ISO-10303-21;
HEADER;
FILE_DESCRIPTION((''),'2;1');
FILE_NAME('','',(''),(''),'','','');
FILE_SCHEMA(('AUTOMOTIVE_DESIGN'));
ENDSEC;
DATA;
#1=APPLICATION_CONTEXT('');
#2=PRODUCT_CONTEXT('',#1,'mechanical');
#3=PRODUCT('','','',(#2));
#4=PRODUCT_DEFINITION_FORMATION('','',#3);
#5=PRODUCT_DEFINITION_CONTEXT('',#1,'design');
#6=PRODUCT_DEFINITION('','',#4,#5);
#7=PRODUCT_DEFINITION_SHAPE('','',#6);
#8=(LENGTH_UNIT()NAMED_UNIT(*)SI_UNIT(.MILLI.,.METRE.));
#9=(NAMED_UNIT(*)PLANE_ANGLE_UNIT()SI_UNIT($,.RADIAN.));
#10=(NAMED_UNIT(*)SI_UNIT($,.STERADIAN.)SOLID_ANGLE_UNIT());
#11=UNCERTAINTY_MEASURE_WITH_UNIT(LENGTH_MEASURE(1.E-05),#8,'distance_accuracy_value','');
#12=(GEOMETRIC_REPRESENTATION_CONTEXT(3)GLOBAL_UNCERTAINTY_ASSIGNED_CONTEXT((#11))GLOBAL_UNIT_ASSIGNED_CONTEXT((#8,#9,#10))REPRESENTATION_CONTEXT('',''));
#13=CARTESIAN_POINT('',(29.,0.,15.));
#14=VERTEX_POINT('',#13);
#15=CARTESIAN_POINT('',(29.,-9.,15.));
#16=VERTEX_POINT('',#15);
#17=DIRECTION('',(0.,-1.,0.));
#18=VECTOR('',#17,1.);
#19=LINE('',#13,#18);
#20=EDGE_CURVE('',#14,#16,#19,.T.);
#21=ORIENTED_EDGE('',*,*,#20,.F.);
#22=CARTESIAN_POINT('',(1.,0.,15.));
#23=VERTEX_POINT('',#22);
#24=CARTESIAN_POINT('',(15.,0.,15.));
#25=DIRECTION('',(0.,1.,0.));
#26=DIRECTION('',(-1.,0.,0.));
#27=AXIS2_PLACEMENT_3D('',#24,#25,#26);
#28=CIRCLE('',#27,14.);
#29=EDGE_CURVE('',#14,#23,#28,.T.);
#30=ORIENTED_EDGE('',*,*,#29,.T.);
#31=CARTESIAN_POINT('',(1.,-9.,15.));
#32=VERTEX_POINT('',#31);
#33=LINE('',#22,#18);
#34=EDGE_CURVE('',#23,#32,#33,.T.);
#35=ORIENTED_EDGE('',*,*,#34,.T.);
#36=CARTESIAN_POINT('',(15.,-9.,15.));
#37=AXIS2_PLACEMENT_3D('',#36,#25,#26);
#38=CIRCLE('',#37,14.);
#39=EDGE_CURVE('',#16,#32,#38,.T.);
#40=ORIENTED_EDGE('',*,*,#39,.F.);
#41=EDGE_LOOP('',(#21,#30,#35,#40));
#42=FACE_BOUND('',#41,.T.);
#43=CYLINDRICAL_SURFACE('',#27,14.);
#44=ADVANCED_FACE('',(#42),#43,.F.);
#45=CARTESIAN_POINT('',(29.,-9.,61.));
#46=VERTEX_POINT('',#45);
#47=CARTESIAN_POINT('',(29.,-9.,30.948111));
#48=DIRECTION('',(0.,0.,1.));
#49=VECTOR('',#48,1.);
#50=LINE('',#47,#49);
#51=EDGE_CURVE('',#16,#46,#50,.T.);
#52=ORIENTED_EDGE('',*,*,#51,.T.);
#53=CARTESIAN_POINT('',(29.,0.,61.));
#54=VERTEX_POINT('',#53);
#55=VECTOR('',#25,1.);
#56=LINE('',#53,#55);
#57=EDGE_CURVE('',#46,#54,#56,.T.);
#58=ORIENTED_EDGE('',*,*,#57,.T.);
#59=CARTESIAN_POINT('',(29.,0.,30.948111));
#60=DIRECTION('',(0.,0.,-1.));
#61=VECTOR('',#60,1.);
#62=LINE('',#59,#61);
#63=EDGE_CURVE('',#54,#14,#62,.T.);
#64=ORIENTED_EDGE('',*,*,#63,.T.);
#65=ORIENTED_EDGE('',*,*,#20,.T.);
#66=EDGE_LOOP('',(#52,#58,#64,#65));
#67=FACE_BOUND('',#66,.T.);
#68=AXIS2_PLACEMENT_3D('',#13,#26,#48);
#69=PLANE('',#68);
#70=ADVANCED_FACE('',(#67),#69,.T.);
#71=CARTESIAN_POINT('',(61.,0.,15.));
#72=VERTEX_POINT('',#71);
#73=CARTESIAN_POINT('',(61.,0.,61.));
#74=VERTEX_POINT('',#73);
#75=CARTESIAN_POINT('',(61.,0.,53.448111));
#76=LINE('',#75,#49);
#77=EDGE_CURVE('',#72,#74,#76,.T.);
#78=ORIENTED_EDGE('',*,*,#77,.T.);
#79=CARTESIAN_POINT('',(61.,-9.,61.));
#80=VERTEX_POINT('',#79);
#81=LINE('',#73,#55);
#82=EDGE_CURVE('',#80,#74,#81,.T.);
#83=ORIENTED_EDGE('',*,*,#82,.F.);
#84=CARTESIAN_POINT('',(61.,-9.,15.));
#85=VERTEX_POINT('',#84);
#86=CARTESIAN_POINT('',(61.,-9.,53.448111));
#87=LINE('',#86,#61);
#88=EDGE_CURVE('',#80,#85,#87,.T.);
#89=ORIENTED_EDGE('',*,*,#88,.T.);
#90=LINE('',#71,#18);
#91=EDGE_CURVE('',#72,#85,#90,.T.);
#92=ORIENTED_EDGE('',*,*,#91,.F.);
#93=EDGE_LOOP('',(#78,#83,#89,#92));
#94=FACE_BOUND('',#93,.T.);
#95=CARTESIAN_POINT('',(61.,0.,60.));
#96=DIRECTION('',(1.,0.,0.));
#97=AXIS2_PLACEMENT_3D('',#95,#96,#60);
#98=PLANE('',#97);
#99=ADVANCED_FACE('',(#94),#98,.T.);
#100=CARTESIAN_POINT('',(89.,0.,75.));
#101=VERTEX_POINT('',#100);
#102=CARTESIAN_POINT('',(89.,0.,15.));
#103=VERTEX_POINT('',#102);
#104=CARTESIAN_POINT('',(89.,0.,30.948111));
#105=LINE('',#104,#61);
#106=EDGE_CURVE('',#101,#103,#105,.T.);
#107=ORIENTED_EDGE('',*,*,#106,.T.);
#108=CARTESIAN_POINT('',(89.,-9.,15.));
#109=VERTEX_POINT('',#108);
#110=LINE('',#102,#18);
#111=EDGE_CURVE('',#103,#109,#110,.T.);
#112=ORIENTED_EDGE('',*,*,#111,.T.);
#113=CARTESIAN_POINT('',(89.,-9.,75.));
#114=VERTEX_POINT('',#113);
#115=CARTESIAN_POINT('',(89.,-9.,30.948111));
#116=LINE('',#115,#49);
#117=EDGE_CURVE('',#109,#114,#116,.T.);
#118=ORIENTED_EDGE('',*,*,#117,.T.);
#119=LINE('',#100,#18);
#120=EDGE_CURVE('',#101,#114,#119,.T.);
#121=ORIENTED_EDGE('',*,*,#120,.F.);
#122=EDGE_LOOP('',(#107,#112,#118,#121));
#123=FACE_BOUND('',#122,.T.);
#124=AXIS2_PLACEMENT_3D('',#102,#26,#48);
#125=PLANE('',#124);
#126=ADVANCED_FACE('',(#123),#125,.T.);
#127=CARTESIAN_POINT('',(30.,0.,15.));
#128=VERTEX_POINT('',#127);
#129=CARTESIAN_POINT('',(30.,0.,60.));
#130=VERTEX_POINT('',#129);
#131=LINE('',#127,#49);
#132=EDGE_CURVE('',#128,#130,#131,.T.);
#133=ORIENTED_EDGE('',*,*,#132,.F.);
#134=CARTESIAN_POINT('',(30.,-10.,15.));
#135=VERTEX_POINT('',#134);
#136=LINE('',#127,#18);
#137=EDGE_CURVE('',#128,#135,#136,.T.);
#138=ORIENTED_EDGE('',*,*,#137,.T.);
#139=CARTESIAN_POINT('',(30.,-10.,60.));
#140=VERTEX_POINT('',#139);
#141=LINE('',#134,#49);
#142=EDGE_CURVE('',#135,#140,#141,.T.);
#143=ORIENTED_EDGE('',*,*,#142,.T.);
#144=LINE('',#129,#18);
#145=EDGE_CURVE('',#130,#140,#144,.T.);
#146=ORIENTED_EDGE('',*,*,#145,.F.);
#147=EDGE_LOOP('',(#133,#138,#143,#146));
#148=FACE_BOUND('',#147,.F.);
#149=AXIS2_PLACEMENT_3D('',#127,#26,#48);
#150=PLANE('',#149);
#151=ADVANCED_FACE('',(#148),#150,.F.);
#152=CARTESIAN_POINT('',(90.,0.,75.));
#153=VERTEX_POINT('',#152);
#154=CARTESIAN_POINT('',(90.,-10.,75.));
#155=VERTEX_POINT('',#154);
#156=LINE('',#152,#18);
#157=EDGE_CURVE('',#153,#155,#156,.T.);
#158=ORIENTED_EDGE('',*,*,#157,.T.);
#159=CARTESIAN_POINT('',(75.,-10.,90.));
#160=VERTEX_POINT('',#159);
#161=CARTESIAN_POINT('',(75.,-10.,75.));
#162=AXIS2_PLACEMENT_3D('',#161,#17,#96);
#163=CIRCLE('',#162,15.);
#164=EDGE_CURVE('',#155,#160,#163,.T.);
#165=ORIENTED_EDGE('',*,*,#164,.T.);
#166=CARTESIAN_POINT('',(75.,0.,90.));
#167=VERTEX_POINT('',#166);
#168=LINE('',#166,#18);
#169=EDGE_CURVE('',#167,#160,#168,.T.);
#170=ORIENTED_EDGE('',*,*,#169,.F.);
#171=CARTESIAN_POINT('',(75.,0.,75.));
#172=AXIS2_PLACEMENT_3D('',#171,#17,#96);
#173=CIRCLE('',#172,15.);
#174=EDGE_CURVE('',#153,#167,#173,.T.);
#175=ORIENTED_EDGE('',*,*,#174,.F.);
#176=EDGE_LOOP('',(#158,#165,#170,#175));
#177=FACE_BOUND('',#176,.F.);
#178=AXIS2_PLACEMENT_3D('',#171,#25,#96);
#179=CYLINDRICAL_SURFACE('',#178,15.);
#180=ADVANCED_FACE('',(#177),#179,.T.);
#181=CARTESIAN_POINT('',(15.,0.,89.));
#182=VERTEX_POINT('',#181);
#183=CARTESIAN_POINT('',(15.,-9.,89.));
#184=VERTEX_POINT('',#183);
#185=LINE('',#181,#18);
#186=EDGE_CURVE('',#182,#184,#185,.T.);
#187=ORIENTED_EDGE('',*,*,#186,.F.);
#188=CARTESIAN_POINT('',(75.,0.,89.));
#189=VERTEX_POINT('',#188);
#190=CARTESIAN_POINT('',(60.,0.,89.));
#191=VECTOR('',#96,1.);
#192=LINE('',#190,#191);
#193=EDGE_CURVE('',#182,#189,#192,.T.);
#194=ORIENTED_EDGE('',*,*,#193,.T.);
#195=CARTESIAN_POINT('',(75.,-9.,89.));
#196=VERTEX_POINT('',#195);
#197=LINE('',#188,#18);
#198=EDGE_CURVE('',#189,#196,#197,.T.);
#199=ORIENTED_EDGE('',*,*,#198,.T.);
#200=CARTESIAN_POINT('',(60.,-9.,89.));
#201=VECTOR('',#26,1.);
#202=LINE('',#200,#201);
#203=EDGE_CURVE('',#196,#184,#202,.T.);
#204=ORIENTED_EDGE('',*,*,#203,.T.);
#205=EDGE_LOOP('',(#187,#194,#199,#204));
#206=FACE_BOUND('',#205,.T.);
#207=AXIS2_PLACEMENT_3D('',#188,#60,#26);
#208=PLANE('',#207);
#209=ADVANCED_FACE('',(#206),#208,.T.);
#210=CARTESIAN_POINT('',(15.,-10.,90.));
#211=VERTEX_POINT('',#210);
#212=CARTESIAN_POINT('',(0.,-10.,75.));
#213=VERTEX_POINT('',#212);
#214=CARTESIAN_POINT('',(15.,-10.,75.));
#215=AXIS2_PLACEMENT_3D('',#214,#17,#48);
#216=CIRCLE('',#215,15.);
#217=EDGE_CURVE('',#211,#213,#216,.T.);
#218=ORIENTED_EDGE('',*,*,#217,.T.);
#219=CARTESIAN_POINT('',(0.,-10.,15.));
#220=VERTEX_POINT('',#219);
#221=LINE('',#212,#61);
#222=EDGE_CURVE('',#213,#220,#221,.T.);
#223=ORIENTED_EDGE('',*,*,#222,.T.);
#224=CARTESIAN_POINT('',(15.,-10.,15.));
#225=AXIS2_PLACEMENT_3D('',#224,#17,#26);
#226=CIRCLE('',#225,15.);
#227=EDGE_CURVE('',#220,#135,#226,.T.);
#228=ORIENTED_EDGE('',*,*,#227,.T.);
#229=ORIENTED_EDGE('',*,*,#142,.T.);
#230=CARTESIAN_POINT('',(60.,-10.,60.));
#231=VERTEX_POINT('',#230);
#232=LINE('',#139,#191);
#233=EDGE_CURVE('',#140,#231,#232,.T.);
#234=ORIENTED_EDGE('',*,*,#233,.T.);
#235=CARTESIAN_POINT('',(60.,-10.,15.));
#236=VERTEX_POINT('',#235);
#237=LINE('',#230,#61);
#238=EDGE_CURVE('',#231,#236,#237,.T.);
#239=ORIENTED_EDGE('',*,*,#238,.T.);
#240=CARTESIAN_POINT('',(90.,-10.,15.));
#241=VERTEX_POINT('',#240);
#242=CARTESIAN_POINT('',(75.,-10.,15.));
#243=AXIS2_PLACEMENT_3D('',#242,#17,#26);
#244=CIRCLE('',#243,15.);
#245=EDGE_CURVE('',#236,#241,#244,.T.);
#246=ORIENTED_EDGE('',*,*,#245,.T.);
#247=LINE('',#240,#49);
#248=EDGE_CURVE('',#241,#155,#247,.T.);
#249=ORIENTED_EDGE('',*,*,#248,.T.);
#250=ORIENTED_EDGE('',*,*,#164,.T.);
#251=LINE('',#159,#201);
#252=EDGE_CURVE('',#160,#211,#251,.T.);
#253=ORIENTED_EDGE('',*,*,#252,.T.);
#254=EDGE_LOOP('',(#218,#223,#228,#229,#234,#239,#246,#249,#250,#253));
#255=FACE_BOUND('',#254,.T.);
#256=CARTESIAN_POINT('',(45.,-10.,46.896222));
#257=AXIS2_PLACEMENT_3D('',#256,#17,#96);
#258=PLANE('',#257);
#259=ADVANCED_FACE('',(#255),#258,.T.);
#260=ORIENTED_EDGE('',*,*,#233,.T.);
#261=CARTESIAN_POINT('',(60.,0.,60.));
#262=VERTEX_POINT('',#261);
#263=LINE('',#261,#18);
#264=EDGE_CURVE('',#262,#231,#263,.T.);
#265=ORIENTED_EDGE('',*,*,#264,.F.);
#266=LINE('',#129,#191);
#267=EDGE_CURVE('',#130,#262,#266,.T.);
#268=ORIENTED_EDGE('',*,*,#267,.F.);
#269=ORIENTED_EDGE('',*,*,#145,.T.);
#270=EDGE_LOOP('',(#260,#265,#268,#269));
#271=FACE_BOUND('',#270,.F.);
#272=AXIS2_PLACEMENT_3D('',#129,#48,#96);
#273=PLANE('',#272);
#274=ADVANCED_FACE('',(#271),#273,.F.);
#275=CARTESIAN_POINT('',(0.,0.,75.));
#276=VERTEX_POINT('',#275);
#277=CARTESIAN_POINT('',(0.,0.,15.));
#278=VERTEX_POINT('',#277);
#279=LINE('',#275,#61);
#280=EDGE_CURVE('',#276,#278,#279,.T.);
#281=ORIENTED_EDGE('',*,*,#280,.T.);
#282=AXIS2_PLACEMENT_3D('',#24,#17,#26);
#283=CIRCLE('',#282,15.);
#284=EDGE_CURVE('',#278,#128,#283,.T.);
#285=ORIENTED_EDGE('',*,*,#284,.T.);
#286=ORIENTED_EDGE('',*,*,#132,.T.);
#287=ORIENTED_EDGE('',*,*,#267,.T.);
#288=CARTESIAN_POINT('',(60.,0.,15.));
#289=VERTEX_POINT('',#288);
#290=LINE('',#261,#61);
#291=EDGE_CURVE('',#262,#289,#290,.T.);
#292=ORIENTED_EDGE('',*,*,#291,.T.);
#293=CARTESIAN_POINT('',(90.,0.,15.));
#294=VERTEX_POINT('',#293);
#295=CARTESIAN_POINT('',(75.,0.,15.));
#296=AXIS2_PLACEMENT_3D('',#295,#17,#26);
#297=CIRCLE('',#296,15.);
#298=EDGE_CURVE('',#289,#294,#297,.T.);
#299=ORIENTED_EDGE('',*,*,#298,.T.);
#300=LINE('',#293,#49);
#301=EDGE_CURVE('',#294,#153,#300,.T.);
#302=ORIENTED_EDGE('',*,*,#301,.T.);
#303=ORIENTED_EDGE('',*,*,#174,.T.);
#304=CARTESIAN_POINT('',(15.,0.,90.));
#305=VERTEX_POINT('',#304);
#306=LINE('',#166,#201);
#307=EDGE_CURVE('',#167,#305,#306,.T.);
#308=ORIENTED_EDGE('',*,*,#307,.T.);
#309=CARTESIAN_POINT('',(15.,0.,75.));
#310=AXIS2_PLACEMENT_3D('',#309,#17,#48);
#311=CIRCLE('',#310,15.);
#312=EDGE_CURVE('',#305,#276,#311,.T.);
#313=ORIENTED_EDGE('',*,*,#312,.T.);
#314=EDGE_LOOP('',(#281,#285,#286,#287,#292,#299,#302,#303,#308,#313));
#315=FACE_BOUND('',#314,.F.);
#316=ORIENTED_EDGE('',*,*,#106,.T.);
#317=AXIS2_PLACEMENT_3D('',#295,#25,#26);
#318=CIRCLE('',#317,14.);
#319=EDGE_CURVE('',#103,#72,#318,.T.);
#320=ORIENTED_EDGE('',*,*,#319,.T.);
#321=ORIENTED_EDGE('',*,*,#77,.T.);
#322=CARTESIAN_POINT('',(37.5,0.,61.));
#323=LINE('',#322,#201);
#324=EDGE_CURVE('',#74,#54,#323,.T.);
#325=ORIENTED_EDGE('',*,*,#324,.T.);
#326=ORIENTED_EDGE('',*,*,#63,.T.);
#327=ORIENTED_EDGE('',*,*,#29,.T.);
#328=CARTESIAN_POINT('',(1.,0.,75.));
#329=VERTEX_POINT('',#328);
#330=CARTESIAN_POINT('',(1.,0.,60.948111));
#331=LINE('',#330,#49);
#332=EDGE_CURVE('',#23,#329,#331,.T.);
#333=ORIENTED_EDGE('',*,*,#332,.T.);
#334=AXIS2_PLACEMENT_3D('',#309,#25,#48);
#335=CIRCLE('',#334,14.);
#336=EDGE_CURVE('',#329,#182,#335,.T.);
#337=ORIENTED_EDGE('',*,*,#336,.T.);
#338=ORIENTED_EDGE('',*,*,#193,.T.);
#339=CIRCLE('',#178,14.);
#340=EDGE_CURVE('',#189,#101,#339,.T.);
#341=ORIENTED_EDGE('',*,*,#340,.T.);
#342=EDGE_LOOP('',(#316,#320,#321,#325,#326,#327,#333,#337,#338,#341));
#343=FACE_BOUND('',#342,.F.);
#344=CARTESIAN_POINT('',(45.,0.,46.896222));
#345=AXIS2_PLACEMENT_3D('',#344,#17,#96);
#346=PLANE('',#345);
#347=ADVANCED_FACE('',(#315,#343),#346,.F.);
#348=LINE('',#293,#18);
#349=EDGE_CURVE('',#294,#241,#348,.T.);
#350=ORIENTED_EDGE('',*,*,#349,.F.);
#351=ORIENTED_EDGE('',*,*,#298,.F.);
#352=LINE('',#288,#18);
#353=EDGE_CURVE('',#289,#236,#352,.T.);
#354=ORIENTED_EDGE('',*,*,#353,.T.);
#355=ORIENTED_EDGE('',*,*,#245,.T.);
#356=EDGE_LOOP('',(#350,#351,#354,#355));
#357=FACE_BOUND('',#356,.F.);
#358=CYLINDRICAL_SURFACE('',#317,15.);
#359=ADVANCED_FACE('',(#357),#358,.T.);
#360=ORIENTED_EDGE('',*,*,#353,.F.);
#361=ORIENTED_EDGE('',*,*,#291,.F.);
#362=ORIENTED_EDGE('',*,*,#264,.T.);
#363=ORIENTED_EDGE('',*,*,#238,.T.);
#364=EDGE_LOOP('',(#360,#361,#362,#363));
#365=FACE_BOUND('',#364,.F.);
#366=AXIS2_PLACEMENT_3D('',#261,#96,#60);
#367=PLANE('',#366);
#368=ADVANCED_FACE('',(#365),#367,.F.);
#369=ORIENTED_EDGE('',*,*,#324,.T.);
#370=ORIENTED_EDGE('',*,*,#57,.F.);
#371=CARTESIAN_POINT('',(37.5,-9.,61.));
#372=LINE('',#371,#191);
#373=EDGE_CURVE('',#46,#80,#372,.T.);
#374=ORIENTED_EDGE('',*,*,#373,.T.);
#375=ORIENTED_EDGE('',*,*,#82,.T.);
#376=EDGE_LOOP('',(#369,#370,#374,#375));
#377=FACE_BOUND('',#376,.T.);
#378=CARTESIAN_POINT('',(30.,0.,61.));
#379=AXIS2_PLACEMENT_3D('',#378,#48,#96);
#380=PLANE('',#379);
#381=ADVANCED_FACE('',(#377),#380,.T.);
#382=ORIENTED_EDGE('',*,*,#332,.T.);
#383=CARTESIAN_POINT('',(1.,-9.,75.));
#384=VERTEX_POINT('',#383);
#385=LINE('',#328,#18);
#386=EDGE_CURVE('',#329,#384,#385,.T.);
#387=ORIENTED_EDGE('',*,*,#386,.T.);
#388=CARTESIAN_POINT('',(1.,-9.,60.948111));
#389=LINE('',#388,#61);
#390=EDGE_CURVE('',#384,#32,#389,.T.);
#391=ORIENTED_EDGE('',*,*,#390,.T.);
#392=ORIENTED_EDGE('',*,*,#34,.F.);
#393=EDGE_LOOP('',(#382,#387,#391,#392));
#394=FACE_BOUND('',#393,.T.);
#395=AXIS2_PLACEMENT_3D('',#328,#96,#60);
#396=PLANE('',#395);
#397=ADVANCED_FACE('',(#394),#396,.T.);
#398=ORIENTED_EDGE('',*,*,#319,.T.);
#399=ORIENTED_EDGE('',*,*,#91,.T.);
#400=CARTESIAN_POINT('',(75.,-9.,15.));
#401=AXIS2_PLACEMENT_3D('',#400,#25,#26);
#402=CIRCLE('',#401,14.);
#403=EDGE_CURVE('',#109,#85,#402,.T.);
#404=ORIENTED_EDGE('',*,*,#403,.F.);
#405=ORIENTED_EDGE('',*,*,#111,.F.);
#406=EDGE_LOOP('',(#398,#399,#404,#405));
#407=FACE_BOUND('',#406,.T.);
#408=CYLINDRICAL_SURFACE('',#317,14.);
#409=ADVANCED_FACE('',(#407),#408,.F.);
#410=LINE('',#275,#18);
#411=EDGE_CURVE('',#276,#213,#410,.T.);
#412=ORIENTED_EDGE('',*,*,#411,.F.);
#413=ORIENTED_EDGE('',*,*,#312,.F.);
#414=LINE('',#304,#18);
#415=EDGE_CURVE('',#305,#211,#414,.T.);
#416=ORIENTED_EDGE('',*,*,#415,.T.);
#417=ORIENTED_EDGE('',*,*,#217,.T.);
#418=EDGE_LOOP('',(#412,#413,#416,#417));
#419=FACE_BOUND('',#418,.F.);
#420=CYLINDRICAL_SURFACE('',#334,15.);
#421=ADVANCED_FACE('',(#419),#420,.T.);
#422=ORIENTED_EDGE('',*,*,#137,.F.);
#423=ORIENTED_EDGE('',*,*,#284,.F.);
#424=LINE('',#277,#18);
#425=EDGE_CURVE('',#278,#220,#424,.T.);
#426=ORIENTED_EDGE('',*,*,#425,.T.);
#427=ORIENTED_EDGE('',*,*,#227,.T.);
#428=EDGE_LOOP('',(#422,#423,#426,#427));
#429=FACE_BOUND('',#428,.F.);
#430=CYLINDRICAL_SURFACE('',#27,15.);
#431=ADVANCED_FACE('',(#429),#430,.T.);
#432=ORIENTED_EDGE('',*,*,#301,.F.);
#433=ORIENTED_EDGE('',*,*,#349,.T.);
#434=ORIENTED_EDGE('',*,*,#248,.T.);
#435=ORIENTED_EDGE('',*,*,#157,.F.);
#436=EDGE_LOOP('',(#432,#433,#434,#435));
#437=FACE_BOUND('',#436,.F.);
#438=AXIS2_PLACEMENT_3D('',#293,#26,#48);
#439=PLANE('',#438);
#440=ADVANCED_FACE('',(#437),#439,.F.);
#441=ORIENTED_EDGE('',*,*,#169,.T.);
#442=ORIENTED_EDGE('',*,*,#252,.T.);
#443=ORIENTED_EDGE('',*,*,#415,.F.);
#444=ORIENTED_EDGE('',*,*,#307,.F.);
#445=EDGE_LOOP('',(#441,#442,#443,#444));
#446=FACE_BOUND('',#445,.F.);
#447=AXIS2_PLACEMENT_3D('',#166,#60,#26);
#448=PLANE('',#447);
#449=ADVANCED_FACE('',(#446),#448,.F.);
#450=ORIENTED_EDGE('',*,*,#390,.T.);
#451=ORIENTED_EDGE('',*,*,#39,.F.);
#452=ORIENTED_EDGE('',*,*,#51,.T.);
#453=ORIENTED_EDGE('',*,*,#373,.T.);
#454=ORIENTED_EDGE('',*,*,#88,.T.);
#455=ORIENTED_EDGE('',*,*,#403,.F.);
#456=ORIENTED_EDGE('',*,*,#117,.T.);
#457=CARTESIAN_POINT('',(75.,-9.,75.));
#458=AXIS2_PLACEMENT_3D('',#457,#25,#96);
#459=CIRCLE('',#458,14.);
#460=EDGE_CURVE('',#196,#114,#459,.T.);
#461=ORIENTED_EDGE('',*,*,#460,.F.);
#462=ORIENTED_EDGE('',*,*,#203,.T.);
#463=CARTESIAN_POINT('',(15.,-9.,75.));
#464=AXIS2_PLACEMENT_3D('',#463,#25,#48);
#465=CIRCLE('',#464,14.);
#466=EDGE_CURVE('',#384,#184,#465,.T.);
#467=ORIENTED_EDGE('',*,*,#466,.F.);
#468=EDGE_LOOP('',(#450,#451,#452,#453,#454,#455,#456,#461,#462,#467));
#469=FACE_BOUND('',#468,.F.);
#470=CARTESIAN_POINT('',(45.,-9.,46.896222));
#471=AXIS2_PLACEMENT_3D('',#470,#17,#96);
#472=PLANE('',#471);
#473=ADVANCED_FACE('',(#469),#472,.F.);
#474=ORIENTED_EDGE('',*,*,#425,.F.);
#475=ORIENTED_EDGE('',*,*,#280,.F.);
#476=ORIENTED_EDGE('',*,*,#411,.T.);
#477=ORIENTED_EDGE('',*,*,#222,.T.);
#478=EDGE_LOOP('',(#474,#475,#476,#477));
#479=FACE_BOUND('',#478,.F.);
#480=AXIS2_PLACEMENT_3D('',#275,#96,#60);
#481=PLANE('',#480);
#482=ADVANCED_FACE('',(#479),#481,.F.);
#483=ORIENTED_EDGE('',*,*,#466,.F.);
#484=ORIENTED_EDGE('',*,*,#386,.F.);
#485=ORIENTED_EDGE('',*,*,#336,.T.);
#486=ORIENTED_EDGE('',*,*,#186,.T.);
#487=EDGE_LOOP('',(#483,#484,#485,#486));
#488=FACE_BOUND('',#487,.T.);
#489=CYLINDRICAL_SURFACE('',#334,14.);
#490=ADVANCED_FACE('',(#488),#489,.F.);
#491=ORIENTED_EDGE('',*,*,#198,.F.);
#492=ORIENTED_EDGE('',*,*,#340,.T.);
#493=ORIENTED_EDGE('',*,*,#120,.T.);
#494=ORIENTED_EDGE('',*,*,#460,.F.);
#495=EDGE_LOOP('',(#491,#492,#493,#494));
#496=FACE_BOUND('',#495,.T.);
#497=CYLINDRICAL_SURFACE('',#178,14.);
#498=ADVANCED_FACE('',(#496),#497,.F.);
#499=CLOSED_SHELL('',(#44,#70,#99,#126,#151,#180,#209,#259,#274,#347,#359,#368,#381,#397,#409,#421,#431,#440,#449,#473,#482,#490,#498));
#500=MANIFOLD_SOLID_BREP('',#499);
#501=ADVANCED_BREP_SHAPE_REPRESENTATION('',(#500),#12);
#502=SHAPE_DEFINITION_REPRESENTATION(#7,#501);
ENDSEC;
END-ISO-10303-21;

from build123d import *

# Parameters (mm, degrees)
F1_DEPTH = 10
F2_T     = -1


with BuildPart() as f1:
    # F0 (on Front) → F1 (new body)
    with BuildSketch(Plane.XZ):
        with BuildLine():
            Line((75, 90), (15, 90))
            ThreePointArc((15, 90), (4.3933982822, 85.6066017178), (0, 75))
            Line((0, 75), (0, 15))
            ThreePointArc((0, 15), (4.3933982822, 4.3933982822), (15, 0))
            ThreePointArc((15, 0), (25.6066017178, 4.3933982822), (30, 15))
            Line((30, 15), (30, 60))
            Line((30, 60), (60, 60))
            Line((60, 60), (60, 15))
            ThreePointArc((60, 15), (64.3933982822, 4.3933982822), (75, 0))
            ThreePointArc((75, 0), (85.6066017178, 4.3933982822), (90, 15))
            Line((90, 15), (90, 75))
            ThreePointArc((90, 75), (85.6066017178, 85.6066017178), (75, 90))
        make_face()
    extrude(amount=F1_DEPTH)

    # F2
    f2_openings = [f1.faces().sort_by_distance(p)[0] for p in [
        (88.727208, 0, 45),
    ]]
    offset(amount=F2_T, openings=f2_openings, kind=Kind.INTERSECTION)


solid = f1.part
